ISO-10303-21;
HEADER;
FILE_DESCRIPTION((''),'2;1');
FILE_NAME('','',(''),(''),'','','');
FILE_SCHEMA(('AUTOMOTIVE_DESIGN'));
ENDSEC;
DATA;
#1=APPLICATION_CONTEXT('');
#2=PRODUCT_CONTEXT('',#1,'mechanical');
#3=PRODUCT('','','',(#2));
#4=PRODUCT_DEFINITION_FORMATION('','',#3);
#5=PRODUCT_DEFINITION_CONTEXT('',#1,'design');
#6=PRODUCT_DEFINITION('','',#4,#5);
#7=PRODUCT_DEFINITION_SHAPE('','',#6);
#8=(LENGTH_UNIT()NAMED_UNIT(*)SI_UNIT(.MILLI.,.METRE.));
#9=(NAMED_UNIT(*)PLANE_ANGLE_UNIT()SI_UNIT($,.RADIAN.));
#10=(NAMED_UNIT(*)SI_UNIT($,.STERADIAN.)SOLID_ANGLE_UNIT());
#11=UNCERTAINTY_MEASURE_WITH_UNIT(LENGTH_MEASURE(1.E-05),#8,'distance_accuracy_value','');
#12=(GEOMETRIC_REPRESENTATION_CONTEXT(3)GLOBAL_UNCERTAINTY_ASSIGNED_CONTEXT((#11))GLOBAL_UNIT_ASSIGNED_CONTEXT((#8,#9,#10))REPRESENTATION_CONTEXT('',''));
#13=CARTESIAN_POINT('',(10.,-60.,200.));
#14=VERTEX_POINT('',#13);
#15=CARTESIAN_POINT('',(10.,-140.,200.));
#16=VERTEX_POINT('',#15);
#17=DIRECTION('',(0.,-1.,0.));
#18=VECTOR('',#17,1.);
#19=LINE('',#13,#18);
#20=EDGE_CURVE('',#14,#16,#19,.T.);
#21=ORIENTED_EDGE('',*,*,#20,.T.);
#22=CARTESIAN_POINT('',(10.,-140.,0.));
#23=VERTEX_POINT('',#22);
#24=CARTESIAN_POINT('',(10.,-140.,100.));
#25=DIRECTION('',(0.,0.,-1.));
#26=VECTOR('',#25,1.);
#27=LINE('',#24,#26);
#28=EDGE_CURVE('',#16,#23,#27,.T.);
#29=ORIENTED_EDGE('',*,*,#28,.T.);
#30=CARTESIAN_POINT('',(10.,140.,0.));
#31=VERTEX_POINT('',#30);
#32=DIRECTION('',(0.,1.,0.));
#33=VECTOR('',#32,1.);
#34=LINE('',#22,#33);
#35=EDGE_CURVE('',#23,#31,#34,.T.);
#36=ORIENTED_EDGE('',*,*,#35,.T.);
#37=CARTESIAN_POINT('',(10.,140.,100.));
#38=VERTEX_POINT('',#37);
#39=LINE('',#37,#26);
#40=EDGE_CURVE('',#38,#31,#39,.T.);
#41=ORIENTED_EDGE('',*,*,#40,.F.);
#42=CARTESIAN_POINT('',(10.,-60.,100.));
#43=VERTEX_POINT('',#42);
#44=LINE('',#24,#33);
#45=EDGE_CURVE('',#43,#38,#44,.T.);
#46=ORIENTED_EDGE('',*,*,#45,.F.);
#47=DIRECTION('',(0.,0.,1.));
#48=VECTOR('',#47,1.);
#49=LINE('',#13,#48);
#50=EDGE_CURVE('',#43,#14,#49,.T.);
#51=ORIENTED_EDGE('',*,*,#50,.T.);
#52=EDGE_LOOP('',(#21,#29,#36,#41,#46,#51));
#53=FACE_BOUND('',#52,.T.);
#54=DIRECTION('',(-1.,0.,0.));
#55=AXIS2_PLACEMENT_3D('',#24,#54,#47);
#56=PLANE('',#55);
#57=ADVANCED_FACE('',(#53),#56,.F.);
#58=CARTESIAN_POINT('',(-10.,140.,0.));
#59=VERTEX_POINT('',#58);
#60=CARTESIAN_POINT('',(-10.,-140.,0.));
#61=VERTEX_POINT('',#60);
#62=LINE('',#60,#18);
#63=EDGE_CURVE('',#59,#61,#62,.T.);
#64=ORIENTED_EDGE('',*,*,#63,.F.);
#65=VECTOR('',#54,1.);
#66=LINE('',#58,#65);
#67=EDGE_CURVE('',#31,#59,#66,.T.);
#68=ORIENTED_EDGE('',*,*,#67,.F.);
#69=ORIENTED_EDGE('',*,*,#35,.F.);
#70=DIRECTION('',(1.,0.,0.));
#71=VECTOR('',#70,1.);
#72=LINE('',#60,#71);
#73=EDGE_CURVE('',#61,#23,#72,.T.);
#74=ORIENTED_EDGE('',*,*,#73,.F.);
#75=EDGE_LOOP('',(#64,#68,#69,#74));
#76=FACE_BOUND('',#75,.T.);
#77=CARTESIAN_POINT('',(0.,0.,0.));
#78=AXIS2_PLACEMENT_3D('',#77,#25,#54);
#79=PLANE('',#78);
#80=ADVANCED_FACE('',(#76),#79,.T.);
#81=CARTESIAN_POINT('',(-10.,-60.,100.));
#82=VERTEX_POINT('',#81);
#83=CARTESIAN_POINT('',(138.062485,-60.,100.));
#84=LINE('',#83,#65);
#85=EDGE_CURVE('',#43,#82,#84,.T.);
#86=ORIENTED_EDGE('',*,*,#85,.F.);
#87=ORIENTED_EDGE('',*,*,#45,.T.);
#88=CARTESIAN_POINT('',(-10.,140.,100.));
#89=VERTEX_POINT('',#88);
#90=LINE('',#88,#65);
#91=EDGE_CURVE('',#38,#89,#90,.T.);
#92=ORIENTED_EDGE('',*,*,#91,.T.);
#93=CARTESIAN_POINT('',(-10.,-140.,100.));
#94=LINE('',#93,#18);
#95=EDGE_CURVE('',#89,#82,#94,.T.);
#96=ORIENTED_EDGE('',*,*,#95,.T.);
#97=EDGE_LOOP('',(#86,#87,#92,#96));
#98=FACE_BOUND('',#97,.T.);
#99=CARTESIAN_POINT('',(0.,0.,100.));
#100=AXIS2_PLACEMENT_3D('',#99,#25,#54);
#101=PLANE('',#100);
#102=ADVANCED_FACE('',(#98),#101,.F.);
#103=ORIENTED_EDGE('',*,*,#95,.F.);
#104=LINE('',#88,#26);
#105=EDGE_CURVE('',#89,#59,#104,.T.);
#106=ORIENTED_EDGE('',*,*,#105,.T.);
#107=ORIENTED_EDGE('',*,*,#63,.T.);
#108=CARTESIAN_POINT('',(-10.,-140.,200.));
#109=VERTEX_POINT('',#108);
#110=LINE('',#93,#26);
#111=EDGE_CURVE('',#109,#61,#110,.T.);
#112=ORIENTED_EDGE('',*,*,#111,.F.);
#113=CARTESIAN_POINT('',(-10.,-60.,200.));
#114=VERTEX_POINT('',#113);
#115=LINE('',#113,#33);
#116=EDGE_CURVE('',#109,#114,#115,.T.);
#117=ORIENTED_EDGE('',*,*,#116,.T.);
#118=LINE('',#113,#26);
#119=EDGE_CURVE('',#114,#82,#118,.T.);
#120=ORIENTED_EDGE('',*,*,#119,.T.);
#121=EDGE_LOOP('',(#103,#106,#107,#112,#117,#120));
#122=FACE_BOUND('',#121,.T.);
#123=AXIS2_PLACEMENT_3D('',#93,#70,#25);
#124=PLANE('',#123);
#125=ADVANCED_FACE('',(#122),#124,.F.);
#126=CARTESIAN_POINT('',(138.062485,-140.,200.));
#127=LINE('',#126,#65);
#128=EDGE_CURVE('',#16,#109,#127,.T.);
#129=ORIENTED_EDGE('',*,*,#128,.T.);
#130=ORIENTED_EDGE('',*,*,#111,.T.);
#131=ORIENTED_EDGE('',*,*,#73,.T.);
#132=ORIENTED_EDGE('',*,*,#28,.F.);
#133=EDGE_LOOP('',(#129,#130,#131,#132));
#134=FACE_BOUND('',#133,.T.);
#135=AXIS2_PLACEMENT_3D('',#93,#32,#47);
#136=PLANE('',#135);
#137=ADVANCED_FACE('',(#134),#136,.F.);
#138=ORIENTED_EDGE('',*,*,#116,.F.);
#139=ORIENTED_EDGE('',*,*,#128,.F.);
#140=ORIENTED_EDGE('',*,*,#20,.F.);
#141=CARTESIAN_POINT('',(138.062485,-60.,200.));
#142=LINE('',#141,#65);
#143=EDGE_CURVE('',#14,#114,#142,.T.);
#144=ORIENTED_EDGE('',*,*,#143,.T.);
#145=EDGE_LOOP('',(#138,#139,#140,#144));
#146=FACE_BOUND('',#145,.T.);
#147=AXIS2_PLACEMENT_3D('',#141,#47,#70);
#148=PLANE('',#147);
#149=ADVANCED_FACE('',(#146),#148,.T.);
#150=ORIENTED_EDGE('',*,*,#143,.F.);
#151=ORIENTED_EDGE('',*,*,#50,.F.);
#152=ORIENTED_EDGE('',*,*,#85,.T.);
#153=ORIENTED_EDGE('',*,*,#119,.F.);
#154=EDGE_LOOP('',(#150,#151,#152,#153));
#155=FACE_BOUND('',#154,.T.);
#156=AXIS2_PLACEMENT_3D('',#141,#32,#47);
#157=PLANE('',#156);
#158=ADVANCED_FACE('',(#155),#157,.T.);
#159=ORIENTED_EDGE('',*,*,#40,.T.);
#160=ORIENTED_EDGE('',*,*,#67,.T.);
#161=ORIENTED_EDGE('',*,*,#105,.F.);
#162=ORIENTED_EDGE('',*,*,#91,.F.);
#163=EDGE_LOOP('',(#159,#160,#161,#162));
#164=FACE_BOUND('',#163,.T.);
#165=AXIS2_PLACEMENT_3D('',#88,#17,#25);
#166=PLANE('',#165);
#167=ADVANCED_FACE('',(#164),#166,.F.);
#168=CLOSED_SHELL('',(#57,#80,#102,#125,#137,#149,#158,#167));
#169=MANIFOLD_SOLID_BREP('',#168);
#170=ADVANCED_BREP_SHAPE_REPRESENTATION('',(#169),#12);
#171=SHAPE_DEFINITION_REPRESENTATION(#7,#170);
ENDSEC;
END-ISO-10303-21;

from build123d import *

# Parameters (mm, degrees)
SKETCH_1_W      = 20
SKETCH_1_H      = 280
EXTRUDE_1_DEPTH = 100
SKETCH_2_W      = 100
SKETCH_2_H      = 80
EXTRUDE_2_DEPTH = 20


with BuildPart() as part:
    # 草图1 → 凸台-拉伸1 (new body)
    with BuildSketch(Plane.XY):
        Rectangle(SKETCH_1_W, SKETCH_1_H)
    extrude(amount=EXTRUDE_1_DEPTH)

    # 草图2 → 凸台-拉伸2 (add)
    with BuildSketch(Plane.ZY.offset(10)):
        with Locations((150, -100)):
            Rectangle(SKETCH_2_W, SKETCH_2_H)
    extrude(amount=-EXTRUDE_2_DEPTH)


solid = part.part
